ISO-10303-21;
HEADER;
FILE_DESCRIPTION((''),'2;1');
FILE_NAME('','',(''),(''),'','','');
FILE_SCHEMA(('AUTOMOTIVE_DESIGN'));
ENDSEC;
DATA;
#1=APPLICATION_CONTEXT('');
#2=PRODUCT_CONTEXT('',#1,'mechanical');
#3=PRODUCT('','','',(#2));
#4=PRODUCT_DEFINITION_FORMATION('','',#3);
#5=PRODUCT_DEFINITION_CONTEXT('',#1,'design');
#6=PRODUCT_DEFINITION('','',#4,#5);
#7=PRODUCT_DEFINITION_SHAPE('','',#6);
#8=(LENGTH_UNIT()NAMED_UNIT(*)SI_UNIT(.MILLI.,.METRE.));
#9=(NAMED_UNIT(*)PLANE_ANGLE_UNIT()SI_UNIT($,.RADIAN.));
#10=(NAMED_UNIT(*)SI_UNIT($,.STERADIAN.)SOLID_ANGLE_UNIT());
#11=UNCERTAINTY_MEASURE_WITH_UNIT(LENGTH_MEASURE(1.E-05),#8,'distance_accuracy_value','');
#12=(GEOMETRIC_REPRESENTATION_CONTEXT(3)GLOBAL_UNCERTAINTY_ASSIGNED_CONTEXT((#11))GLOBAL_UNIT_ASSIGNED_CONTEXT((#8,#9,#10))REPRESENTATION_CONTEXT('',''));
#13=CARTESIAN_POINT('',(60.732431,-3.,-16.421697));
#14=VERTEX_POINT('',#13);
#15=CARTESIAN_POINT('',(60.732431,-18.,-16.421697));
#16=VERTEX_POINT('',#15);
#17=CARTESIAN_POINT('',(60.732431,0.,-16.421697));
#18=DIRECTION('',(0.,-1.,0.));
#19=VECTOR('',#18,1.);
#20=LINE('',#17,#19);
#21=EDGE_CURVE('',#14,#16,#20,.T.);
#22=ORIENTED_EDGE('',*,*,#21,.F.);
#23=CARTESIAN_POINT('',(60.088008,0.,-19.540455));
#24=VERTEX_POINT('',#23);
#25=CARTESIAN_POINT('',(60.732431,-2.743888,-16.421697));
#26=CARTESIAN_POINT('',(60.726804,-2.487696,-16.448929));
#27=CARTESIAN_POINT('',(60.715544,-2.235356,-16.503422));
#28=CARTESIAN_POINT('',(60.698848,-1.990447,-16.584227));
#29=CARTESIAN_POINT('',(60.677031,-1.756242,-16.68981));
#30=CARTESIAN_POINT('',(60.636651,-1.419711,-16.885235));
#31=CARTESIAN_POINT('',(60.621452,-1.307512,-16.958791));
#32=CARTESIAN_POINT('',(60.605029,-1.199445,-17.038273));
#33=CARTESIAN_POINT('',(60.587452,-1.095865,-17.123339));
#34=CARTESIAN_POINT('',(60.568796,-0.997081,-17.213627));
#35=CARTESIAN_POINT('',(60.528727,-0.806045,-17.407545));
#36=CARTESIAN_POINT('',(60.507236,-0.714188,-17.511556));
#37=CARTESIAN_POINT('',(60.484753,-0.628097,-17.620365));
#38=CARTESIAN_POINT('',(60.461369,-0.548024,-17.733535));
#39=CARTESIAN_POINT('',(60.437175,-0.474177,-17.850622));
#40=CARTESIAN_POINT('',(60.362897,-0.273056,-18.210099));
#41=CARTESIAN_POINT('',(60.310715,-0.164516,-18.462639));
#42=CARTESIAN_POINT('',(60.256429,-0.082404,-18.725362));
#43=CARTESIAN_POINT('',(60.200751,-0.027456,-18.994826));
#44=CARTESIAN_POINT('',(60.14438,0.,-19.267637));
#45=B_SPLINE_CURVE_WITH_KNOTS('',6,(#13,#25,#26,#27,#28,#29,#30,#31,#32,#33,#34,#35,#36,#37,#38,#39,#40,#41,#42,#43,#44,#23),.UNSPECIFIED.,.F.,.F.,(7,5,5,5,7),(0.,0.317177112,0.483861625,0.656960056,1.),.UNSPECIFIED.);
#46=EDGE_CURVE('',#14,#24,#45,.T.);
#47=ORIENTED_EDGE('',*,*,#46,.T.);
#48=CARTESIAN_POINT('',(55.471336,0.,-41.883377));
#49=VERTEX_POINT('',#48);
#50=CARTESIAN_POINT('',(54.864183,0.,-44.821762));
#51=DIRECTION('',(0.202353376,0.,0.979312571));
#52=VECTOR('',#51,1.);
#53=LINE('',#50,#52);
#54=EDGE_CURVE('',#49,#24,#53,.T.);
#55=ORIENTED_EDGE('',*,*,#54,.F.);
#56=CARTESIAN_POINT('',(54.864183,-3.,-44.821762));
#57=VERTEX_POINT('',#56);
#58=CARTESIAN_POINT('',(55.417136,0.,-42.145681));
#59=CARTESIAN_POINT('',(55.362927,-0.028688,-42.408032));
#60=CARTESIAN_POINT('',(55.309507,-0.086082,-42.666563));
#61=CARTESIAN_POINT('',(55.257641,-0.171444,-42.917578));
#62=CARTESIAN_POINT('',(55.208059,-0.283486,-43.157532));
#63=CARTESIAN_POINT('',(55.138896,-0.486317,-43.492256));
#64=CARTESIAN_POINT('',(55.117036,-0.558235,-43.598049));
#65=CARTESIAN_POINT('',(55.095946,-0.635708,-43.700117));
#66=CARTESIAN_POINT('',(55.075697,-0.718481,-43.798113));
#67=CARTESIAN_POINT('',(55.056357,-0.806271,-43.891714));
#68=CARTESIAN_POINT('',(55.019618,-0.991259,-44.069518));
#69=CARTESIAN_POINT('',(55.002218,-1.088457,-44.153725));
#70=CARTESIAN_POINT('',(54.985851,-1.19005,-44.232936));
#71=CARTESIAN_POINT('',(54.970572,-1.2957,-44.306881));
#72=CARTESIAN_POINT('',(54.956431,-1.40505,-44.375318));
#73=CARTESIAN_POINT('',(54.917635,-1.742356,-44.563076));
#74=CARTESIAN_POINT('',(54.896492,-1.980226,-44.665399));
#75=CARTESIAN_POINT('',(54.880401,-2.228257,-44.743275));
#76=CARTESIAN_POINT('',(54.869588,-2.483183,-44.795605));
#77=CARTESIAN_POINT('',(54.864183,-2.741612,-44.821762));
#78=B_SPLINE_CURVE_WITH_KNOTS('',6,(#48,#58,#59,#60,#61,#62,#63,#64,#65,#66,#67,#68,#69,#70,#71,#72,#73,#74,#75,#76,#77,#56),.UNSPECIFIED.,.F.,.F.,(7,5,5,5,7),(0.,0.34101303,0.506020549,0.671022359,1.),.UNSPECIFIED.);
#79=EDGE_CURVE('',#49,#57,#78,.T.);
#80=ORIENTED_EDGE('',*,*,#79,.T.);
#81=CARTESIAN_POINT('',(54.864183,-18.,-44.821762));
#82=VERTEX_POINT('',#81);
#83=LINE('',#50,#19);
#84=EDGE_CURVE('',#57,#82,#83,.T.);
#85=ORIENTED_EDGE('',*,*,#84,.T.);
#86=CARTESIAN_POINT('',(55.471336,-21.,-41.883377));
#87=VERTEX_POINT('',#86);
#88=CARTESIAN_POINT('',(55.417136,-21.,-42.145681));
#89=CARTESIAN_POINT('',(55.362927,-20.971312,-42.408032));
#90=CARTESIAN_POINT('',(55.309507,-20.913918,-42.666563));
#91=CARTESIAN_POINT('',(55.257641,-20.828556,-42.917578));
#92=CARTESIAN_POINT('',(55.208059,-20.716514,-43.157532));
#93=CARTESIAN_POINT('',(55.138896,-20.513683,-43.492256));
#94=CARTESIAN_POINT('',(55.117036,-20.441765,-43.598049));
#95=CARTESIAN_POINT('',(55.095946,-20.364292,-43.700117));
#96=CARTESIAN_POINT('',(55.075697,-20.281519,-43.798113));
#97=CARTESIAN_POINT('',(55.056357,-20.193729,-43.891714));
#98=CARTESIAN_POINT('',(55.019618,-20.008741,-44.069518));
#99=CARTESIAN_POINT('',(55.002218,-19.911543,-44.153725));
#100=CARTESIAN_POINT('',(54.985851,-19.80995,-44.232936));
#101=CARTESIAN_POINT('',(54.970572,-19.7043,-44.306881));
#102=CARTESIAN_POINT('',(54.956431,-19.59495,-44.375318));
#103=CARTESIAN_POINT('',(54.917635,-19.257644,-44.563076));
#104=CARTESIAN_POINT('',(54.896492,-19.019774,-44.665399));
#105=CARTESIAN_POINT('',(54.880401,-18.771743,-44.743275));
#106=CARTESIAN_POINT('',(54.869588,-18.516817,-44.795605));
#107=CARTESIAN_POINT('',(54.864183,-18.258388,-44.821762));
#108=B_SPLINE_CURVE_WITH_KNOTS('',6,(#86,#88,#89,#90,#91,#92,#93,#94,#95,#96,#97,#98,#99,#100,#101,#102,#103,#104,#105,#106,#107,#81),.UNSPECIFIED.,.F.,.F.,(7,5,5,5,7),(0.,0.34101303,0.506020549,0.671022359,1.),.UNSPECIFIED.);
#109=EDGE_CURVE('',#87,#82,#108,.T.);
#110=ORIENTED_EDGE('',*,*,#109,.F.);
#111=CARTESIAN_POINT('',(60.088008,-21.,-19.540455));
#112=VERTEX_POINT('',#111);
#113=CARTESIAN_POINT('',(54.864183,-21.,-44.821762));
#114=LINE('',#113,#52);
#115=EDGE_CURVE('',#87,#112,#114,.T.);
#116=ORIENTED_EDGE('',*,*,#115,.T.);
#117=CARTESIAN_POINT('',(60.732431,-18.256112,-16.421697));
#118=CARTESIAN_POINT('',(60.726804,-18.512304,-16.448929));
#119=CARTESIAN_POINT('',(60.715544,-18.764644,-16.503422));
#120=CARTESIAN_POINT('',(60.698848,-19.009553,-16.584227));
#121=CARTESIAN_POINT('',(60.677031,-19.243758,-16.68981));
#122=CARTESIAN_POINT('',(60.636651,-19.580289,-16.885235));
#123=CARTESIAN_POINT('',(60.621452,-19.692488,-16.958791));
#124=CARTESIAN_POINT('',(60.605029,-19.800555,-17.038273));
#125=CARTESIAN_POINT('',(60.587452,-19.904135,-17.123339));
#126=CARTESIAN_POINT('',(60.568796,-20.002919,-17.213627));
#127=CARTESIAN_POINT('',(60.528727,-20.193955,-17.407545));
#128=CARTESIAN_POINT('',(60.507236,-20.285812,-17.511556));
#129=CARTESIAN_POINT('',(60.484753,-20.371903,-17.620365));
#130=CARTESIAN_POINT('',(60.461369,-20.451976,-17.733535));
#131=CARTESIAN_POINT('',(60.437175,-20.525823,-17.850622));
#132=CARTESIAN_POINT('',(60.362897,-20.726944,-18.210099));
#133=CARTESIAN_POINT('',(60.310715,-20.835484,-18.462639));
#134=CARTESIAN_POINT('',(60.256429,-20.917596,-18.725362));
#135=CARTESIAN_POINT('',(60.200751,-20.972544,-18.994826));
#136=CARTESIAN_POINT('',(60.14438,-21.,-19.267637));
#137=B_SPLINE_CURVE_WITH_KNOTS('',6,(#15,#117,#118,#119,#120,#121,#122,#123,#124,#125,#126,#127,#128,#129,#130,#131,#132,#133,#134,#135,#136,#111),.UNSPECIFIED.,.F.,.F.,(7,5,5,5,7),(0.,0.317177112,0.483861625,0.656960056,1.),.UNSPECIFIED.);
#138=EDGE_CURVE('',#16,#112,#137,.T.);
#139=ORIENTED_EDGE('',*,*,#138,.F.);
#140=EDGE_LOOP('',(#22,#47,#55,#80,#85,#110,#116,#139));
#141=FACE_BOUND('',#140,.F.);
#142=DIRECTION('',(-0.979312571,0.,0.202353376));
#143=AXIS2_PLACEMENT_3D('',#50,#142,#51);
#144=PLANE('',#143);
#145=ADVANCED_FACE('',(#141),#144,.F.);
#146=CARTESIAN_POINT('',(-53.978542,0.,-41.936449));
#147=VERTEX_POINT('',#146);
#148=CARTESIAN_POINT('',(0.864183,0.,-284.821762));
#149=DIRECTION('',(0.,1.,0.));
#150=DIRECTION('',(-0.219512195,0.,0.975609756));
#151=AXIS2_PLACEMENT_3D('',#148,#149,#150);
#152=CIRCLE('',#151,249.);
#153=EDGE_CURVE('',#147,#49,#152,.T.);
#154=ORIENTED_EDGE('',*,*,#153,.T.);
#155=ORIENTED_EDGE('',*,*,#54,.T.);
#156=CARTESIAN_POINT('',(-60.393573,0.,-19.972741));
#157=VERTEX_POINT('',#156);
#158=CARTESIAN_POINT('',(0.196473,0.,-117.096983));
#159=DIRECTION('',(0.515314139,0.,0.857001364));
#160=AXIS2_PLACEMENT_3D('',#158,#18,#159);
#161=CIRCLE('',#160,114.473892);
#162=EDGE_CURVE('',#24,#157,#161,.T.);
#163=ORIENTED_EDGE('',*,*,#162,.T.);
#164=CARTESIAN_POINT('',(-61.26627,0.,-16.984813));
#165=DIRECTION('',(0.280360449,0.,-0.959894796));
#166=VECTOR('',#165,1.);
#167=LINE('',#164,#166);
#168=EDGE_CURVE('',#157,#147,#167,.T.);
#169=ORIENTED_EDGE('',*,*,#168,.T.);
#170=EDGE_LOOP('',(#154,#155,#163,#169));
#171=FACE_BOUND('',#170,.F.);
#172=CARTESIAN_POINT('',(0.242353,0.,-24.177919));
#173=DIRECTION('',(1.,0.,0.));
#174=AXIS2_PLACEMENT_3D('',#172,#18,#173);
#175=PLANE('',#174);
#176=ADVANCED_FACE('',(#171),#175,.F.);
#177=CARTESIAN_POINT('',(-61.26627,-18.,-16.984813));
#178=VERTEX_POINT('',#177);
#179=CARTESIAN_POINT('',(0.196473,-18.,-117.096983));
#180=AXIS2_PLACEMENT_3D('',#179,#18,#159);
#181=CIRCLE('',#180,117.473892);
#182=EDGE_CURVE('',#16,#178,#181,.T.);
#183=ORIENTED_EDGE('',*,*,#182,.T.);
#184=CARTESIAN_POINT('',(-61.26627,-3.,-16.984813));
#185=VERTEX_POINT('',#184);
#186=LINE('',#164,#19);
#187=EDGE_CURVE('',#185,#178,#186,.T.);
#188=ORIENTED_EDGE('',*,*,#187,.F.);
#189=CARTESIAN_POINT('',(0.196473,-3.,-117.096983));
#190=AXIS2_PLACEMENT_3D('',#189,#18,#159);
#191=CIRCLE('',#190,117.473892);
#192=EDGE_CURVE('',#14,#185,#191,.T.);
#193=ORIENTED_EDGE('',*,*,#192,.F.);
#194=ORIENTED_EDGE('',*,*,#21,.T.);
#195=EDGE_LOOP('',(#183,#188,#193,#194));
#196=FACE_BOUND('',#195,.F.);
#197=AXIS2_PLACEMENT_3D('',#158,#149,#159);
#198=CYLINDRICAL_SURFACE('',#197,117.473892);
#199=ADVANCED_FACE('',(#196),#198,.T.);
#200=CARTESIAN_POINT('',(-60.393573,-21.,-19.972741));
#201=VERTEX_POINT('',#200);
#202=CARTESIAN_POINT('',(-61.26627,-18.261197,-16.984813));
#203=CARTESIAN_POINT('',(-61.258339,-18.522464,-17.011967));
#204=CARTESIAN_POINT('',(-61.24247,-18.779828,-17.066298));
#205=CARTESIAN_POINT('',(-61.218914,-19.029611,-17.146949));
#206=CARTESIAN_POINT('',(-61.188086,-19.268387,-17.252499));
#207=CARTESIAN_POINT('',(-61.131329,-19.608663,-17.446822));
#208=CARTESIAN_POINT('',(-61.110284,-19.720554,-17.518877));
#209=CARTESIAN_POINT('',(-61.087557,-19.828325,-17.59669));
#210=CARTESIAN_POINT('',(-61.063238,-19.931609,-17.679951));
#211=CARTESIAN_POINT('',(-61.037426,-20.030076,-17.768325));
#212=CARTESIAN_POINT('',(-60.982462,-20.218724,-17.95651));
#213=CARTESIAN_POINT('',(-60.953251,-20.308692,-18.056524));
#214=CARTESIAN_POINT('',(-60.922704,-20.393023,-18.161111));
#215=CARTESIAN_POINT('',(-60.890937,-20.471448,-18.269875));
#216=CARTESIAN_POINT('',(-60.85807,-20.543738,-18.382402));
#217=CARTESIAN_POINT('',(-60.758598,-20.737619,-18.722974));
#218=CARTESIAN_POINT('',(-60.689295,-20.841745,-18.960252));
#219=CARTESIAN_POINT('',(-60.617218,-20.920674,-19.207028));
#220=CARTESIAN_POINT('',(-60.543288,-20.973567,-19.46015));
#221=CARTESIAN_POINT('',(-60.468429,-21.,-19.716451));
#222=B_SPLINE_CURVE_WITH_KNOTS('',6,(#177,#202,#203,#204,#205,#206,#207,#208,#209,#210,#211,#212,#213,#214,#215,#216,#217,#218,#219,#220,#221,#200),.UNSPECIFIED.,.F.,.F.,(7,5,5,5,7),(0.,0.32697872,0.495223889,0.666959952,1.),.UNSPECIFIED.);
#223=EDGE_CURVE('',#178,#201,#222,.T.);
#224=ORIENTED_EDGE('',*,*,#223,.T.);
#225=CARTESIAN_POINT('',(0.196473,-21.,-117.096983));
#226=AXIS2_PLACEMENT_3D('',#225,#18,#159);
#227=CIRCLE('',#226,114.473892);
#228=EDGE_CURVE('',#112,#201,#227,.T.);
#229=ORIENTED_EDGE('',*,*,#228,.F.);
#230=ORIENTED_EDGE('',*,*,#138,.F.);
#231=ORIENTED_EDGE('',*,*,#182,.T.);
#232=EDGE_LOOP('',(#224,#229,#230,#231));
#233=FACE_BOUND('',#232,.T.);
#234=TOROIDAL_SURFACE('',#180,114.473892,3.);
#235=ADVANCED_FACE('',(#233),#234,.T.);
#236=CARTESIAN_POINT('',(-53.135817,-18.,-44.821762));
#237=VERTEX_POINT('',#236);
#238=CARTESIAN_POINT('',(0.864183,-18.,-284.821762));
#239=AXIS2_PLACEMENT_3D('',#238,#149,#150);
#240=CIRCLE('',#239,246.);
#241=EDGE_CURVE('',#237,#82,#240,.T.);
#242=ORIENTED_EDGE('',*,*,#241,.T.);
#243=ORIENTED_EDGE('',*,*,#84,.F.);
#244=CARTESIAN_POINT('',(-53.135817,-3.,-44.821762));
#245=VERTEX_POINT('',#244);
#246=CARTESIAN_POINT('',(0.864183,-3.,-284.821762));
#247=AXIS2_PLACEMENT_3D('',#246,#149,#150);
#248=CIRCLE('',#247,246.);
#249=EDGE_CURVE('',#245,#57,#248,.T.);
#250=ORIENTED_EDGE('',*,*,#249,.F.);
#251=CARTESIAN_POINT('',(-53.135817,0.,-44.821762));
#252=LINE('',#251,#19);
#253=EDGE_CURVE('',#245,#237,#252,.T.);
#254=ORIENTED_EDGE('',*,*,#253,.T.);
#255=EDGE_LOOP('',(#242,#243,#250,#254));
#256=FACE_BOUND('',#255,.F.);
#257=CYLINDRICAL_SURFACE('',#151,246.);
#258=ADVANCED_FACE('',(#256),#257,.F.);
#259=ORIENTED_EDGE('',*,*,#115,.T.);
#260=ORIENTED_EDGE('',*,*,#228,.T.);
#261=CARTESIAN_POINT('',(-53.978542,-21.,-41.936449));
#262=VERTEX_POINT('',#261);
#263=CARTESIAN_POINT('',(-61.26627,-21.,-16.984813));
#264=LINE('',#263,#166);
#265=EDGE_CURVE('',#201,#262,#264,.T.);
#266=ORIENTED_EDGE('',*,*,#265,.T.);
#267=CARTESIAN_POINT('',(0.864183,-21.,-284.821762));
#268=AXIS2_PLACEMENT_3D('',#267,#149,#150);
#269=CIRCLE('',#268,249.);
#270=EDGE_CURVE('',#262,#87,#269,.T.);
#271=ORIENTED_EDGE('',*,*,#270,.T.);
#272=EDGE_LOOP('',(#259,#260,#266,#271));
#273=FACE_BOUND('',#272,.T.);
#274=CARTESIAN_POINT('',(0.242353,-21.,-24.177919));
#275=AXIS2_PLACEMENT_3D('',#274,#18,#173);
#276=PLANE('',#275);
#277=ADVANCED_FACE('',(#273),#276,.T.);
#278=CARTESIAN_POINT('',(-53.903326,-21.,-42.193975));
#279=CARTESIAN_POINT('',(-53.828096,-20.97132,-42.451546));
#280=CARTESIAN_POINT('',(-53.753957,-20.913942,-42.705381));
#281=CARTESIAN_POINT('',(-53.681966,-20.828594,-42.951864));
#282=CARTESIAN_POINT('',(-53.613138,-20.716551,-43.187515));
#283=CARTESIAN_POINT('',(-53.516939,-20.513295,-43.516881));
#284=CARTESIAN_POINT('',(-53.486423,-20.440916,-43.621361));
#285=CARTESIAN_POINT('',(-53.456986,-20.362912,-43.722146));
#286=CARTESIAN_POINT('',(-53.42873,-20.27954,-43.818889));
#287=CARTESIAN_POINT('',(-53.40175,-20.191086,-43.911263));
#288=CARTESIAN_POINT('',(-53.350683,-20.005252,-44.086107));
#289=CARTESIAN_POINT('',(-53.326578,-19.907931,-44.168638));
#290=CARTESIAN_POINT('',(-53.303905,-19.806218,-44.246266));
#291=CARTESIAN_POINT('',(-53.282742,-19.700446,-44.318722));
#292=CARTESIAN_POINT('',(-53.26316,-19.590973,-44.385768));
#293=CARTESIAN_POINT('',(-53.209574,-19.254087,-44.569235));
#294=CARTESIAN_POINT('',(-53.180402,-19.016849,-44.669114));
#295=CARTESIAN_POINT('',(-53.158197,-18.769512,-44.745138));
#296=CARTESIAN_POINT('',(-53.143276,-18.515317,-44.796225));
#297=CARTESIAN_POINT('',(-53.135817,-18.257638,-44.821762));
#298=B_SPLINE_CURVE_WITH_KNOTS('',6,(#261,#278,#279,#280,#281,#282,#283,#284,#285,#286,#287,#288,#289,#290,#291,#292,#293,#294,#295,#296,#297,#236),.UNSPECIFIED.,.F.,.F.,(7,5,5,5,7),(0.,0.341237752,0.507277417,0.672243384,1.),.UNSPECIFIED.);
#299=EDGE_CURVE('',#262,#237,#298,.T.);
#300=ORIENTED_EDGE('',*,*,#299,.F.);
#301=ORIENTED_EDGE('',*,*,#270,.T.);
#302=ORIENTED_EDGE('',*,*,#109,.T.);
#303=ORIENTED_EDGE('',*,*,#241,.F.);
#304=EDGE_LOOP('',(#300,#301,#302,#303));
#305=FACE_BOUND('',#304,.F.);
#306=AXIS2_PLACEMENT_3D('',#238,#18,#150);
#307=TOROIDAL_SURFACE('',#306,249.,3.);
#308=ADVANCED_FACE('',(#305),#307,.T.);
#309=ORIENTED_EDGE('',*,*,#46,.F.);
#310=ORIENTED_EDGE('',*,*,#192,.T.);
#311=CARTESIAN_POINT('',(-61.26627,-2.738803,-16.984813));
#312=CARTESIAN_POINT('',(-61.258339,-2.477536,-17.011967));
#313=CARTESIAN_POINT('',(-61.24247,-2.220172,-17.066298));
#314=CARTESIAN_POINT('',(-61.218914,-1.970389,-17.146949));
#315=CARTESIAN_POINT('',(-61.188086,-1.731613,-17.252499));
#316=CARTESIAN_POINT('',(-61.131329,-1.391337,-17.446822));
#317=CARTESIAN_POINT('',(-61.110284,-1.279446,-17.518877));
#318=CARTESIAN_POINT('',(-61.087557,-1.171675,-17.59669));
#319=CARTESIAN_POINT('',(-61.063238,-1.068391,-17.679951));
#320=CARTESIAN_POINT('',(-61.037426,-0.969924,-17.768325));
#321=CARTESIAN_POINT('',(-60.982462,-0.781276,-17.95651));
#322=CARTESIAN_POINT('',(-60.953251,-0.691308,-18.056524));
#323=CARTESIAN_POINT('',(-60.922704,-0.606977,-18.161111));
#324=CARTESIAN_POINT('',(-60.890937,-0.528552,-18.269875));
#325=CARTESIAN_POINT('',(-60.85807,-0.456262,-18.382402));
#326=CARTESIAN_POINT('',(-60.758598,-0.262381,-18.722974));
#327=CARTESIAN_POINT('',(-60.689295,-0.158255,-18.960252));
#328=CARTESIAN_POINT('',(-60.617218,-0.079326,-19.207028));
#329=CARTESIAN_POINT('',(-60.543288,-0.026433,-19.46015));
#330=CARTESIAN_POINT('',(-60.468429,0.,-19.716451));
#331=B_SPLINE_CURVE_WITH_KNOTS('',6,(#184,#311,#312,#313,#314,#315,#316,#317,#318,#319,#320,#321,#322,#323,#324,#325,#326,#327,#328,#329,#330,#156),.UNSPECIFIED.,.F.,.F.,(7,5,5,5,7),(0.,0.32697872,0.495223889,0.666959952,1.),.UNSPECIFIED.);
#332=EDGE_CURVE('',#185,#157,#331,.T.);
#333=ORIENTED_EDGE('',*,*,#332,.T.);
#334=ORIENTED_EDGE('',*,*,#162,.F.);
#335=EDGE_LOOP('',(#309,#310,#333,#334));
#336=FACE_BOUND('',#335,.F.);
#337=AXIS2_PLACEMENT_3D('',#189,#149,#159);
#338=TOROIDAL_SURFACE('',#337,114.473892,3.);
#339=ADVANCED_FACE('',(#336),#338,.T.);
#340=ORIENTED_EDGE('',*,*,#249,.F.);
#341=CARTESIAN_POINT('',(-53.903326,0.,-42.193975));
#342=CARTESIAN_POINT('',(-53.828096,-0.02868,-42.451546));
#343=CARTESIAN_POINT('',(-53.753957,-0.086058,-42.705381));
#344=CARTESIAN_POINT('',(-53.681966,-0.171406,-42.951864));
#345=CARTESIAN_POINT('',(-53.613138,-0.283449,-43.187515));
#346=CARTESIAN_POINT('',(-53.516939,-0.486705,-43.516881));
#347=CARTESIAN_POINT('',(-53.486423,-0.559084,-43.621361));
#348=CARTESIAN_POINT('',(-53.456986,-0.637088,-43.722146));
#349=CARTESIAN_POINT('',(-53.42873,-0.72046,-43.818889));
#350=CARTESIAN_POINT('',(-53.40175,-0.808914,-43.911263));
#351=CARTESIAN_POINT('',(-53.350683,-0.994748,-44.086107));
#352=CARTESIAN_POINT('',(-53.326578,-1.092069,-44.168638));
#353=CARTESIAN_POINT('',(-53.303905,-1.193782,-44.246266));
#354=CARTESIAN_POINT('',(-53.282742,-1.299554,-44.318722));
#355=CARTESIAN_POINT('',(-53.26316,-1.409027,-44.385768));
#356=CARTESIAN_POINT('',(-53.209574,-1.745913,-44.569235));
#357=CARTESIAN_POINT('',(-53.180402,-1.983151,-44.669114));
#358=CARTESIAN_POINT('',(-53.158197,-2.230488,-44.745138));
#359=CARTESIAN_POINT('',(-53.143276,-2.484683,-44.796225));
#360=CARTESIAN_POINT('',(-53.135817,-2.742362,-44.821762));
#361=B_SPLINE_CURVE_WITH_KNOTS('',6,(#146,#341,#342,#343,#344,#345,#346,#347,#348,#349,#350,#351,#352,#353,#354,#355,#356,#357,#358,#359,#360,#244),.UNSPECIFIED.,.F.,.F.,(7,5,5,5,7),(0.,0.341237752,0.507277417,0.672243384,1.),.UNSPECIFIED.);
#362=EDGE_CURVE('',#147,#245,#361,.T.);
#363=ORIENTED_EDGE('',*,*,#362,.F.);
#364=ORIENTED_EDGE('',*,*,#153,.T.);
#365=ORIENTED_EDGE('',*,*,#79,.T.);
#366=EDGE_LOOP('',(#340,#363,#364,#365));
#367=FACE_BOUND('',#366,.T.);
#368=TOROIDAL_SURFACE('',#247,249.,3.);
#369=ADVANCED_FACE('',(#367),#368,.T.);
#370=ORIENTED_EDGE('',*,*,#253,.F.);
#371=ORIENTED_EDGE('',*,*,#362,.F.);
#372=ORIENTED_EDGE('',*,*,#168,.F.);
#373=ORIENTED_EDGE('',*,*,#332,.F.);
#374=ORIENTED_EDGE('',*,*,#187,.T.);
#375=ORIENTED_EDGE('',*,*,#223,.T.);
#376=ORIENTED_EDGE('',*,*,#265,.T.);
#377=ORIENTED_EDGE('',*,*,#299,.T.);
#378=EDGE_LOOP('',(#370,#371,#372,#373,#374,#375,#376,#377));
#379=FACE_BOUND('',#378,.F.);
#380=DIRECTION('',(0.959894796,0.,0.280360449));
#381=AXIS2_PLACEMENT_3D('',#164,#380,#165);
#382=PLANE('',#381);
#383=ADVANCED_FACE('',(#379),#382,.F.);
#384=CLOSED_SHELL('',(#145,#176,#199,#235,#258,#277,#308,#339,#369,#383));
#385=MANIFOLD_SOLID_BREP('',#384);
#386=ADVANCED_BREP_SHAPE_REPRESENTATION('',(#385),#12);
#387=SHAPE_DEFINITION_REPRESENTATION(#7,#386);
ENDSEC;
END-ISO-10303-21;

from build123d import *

# Parameters (mm, degrees)
F1_DEPTH = 21
F2_R     = 3
F3_R     = 3


with BuildPart() as f1:
    # F0 (on Front) → F1 (new body)
    with BuildSketch(Plane.XZ):
        with BuildLine():
            Line((54.864183, -44.821762), (60.732431, -16.421697))
            ThreePointArc((60.732431, -16.421697), (-0.345751, 0.375658), (-61.26627, -16.984813))
            Line((-61.26627, -16.984813), (-53.135817, -44.821762))
            ThreePointArc((-53.135817, -44.821762), (0.864183, -38.821762), (54.864183, -44.821762))
        make_face()
    extrude(amount=F1_DEPTH)

    # F2
    f2_edges = [f1.edges().sort_by_distance(p)[0] for p in [
        (-0.345751, -21, 0.375658),
    ]]
    fillet(f2_edges, radius=F2_R)

    # F3
    f3_edges = [f1.edges().sort_by_distance(p)[0] for p in [
        (-0.345751, 0, 0.375658),
        (0.864183, -21, -38.821762),
        (0.864183, 0, -38.821762),
    ]]
    fillet(f3_edges, radius=F3_R)


solid = f1.part
